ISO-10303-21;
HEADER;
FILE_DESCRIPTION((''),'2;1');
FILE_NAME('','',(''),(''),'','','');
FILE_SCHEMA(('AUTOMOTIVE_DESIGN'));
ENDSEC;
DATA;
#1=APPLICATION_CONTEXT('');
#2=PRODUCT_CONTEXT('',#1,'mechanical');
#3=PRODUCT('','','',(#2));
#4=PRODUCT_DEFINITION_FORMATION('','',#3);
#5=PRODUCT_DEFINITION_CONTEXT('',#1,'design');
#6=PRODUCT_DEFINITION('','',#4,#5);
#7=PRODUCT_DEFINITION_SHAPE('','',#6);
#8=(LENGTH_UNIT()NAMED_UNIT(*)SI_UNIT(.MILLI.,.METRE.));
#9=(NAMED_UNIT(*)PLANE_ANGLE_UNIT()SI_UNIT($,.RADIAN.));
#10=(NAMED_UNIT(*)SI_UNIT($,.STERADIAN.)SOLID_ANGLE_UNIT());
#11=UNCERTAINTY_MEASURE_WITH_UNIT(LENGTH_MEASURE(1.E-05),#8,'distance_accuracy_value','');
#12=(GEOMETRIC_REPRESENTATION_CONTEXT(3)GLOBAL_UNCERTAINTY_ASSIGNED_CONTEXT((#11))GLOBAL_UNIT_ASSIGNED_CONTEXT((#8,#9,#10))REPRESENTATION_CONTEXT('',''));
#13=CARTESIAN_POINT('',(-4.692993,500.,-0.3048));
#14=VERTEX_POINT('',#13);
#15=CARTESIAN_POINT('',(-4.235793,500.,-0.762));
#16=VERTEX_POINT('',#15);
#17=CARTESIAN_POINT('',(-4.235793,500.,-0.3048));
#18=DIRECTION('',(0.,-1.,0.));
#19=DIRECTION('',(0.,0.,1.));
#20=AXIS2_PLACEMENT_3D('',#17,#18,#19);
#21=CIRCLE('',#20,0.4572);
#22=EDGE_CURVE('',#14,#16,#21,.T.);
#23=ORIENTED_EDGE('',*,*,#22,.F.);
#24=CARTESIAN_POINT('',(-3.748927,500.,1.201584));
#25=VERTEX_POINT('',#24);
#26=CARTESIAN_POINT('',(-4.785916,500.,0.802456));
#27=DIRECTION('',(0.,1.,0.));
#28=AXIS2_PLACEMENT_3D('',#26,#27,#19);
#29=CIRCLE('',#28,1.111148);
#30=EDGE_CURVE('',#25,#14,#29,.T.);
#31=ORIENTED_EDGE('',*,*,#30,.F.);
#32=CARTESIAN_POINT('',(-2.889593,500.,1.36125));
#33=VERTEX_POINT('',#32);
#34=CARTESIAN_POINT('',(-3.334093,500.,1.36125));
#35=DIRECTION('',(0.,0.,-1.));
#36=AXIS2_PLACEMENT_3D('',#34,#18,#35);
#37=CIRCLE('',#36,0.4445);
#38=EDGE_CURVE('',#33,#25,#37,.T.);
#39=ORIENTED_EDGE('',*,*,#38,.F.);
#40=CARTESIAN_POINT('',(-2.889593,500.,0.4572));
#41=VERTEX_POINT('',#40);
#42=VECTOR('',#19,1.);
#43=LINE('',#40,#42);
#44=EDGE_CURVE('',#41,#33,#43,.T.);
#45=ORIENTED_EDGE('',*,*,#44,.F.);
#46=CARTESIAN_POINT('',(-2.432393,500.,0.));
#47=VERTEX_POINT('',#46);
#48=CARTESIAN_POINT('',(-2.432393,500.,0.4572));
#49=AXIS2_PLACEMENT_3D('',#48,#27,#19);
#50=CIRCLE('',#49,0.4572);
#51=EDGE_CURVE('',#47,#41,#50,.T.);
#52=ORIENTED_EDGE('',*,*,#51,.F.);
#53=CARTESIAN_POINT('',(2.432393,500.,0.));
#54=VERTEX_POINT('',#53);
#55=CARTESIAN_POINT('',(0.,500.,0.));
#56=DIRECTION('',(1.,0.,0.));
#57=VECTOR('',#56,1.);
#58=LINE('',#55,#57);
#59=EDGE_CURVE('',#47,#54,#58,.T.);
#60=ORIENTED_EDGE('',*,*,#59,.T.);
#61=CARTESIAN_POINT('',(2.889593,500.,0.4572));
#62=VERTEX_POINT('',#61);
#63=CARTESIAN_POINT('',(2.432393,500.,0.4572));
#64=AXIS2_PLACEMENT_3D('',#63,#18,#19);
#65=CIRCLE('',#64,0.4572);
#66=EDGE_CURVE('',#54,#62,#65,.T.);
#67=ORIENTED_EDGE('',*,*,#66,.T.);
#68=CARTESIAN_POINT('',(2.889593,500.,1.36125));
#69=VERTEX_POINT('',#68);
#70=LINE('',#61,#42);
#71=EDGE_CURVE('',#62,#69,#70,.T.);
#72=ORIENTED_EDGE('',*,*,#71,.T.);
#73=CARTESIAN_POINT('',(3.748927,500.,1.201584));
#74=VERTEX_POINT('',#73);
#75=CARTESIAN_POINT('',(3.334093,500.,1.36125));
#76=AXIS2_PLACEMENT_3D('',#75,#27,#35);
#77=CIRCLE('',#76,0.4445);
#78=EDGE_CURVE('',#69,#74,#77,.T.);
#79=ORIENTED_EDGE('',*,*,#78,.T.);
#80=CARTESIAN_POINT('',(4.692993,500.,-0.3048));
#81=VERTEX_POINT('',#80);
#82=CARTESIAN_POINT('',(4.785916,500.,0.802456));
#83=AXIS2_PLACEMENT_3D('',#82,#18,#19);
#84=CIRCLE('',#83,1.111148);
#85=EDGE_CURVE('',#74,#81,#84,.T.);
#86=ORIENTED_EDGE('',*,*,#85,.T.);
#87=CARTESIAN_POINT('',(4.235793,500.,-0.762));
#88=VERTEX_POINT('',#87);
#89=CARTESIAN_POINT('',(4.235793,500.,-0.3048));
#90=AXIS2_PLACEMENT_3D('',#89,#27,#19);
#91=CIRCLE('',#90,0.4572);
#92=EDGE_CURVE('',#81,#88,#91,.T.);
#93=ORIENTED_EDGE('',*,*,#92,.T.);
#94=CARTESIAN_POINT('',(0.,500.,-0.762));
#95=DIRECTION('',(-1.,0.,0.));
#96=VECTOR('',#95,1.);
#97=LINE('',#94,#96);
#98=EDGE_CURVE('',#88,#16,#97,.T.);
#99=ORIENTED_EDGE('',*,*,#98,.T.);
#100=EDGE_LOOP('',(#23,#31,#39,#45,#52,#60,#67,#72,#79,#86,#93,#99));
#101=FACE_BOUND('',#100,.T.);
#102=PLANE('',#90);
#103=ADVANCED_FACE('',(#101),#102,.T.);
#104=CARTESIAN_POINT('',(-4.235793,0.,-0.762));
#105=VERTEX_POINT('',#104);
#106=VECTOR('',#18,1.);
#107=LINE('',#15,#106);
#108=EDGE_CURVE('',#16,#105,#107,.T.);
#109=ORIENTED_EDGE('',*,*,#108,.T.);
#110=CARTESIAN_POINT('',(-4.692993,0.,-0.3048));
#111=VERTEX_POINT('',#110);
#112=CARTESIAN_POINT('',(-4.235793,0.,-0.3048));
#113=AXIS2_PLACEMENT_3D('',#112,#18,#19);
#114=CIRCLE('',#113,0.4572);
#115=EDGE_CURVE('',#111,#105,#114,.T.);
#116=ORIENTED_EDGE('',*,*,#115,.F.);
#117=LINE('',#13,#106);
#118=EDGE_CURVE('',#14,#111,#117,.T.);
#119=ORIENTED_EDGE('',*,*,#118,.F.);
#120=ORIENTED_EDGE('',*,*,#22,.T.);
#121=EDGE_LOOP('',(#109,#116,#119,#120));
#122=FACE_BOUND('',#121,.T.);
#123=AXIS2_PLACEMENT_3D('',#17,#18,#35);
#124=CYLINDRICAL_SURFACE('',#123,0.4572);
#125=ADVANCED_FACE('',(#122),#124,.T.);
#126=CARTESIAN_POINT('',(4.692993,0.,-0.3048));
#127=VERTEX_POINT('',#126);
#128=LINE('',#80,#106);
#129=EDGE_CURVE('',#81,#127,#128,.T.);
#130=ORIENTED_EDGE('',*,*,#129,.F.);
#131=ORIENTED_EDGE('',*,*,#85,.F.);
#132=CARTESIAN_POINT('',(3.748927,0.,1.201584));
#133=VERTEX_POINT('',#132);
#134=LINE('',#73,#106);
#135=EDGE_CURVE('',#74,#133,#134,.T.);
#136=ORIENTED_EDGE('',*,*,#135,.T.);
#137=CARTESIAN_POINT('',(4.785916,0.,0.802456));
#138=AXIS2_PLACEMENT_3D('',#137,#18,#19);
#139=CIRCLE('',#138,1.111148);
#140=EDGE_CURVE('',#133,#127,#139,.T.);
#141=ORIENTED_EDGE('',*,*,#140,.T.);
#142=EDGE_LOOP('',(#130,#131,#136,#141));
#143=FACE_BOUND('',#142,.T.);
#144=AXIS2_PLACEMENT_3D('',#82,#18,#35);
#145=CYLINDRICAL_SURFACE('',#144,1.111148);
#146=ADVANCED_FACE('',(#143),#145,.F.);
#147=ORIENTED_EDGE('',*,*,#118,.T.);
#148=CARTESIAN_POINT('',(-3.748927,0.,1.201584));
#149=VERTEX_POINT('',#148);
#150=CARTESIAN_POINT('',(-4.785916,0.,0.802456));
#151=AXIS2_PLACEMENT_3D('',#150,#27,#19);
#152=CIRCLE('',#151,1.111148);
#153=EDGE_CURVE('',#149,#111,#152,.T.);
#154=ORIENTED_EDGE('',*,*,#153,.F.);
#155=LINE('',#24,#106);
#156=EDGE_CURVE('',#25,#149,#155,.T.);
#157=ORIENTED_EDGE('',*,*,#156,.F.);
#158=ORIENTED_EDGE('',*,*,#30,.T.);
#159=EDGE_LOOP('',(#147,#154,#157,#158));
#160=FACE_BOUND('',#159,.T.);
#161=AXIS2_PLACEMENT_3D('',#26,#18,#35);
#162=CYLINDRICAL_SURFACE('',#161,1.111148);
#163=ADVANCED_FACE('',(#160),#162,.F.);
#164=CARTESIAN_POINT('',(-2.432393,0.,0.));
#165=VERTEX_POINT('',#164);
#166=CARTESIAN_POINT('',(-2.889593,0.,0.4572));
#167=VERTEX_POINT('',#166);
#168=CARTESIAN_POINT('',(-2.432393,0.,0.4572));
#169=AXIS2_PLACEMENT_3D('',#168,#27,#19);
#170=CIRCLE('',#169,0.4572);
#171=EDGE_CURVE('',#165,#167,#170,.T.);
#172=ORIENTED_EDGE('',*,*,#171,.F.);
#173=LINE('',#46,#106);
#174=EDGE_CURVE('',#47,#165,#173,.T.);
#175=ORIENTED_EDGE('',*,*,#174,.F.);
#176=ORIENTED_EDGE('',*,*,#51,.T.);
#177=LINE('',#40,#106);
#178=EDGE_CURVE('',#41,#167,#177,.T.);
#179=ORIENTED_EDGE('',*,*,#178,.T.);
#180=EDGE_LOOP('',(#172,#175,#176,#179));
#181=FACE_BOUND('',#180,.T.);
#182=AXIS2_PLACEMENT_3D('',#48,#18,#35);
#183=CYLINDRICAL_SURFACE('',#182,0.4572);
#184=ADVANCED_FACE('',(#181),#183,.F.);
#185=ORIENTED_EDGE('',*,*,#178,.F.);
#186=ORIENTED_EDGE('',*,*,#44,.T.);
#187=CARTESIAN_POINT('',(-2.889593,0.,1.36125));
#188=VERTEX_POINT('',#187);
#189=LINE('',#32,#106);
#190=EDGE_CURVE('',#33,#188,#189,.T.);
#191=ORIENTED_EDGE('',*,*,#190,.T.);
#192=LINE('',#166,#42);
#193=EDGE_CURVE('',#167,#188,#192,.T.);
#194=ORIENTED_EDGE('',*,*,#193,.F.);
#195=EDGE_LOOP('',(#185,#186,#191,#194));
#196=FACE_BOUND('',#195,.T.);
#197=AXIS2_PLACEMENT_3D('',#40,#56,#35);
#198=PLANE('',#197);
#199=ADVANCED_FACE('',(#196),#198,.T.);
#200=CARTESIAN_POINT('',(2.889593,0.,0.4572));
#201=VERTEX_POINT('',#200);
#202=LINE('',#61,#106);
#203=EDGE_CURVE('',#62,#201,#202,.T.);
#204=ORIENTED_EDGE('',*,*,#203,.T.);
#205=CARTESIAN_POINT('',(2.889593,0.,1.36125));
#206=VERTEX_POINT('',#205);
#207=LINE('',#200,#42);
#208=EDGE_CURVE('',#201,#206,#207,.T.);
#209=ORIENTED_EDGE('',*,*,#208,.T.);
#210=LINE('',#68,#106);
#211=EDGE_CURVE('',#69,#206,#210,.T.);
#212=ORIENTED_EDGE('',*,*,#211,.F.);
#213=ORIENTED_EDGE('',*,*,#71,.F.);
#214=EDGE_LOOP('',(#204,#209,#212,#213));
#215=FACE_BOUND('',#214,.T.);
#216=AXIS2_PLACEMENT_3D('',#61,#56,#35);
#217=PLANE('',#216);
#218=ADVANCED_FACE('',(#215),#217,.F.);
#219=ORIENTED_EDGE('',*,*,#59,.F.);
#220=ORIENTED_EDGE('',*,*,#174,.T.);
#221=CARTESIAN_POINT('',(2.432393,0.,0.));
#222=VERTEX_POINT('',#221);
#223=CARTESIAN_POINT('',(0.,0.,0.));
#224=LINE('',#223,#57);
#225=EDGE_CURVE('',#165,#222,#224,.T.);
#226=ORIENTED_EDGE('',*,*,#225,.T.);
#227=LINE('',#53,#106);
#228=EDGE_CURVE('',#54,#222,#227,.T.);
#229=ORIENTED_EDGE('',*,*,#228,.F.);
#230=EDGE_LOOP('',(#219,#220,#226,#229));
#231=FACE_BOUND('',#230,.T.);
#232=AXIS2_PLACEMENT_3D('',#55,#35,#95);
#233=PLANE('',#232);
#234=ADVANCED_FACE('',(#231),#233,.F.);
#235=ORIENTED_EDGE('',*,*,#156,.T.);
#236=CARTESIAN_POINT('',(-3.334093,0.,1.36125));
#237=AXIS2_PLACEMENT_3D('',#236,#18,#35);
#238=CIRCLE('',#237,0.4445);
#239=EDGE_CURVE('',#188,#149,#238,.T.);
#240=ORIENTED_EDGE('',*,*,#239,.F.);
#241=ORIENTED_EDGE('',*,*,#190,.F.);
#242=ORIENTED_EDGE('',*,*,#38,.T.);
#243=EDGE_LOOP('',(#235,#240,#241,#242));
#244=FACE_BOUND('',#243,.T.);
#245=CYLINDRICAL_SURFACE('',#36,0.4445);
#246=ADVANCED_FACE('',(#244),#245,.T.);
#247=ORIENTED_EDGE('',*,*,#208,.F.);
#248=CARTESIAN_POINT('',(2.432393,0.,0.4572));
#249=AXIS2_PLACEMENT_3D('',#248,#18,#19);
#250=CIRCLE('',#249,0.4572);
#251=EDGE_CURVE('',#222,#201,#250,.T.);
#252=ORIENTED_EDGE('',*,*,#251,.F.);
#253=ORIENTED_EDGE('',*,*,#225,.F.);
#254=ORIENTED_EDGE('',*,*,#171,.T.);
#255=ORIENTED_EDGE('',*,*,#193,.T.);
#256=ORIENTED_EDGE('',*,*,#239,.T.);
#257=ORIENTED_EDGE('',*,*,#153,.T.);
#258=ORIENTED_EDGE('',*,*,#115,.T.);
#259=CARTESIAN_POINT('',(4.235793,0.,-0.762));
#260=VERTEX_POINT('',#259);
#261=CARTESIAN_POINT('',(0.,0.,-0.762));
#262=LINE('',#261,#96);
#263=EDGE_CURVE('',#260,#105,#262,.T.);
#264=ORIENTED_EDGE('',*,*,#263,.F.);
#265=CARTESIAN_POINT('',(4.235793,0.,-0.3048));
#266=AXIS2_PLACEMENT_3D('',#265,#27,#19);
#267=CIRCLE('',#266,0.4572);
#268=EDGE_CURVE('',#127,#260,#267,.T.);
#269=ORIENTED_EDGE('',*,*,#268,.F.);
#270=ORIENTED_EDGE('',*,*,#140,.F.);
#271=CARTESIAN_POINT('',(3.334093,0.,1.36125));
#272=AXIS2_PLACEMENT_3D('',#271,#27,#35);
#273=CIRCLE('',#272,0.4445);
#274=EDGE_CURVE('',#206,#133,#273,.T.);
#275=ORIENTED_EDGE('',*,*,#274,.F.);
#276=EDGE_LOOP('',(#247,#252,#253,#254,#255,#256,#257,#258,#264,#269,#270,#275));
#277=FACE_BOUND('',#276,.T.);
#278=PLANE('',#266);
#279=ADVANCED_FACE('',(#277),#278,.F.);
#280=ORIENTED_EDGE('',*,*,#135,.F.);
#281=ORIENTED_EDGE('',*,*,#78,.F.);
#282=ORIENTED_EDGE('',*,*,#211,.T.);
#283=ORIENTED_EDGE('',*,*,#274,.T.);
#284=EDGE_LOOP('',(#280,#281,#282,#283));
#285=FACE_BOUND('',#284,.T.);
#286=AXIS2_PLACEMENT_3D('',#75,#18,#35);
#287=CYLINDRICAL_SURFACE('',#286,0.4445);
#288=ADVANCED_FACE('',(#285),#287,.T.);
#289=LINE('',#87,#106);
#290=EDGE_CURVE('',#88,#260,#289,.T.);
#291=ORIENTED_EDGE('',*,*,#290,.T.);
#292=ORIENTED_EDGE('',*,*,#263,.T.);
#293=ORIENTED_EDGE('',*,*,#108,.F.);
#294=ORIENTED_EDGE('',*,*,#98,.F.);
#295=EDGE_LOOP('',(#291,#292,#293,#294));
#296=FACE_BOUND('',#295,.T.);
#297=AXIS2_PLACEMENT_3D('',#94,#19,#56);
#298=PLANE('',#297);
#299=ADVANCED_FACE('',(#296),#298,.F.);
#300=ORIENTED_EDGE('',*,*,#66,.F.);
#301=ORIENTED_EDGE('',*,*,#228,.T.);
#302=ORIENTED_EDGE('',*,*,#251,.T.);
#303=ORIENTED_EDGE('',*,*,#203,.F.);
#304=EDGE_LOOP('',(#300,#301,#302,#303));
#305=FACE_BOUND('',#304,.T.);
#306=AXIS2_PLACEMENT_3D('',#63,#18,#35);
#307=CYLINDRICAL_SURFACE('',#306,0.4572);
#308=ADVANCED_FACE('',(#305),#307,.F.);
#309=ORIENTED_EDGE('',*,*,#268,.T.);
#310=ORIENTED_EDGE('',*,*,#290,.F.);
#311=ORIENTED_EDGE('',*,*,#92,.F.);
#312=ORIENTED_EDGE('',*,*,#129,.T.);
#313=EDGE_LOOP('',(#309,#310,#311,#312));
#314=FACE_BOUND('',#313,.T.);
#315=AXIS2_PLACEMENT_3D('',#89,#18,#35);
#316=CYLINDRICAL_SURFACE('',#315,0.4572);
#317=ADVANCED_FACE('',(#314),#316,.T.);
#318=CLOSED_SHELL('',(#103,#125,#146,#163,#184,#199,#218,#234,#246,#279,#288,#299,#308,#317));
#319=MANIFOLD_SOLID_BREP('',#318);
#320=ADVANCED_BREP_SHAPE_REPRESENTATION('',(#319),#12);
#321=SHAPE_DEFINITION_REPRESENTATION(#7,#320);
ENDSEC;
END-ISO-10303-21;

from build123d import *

# Parameters (mm, degrees)
PROFILE_EXTRUDE_DEPTH = 500


with BuildPart() as part:
    # Profile Sketch → Profile Extrude (new body)
    with BuildSketch(Plane(origin=(0, 0, 0), x_dir=(1, 0, 0), z_dir=(0, 1, 0))):
        with BuildLine():
            Line((0, 0.762), (4.235793346, 0.762))
            ThreePointArc((4.235793346, 0.762), (4.559082566, 0.62808922), (4.692993346, 0.3048))
            ThreePointArc((4.692993346, 0.3048), (3.844388962, -0.212390939), (3.748927066, -1.20158399))
            ThreePointArc((3.748927066, -1.20158399), (3.415292673, -1.798270502), (2.889593346, -1.36125))
            Line((2.889593346, -1.36125), (2.889593346, -0.4572))
            ThreePointArc((2.889593346, -0.4572), (2.755682566, -0.13391078), (2.432393346, 0))
            Line((2.432393346, 0), (0, 0))
            Line((0, 0), (0, 0.762))
        make_face()
    profile_extrude = extrude(amount=PROFILE_EXTRUDE_DEPTH)

    # Profile Mirror: Profile Extrude across plane
    add(profile_extrude.mirror(Plane(origin=(0, 0, 0), x_dir=(0, 0, 1), z_dir=(1, 0, 0))))


solid = part.part
